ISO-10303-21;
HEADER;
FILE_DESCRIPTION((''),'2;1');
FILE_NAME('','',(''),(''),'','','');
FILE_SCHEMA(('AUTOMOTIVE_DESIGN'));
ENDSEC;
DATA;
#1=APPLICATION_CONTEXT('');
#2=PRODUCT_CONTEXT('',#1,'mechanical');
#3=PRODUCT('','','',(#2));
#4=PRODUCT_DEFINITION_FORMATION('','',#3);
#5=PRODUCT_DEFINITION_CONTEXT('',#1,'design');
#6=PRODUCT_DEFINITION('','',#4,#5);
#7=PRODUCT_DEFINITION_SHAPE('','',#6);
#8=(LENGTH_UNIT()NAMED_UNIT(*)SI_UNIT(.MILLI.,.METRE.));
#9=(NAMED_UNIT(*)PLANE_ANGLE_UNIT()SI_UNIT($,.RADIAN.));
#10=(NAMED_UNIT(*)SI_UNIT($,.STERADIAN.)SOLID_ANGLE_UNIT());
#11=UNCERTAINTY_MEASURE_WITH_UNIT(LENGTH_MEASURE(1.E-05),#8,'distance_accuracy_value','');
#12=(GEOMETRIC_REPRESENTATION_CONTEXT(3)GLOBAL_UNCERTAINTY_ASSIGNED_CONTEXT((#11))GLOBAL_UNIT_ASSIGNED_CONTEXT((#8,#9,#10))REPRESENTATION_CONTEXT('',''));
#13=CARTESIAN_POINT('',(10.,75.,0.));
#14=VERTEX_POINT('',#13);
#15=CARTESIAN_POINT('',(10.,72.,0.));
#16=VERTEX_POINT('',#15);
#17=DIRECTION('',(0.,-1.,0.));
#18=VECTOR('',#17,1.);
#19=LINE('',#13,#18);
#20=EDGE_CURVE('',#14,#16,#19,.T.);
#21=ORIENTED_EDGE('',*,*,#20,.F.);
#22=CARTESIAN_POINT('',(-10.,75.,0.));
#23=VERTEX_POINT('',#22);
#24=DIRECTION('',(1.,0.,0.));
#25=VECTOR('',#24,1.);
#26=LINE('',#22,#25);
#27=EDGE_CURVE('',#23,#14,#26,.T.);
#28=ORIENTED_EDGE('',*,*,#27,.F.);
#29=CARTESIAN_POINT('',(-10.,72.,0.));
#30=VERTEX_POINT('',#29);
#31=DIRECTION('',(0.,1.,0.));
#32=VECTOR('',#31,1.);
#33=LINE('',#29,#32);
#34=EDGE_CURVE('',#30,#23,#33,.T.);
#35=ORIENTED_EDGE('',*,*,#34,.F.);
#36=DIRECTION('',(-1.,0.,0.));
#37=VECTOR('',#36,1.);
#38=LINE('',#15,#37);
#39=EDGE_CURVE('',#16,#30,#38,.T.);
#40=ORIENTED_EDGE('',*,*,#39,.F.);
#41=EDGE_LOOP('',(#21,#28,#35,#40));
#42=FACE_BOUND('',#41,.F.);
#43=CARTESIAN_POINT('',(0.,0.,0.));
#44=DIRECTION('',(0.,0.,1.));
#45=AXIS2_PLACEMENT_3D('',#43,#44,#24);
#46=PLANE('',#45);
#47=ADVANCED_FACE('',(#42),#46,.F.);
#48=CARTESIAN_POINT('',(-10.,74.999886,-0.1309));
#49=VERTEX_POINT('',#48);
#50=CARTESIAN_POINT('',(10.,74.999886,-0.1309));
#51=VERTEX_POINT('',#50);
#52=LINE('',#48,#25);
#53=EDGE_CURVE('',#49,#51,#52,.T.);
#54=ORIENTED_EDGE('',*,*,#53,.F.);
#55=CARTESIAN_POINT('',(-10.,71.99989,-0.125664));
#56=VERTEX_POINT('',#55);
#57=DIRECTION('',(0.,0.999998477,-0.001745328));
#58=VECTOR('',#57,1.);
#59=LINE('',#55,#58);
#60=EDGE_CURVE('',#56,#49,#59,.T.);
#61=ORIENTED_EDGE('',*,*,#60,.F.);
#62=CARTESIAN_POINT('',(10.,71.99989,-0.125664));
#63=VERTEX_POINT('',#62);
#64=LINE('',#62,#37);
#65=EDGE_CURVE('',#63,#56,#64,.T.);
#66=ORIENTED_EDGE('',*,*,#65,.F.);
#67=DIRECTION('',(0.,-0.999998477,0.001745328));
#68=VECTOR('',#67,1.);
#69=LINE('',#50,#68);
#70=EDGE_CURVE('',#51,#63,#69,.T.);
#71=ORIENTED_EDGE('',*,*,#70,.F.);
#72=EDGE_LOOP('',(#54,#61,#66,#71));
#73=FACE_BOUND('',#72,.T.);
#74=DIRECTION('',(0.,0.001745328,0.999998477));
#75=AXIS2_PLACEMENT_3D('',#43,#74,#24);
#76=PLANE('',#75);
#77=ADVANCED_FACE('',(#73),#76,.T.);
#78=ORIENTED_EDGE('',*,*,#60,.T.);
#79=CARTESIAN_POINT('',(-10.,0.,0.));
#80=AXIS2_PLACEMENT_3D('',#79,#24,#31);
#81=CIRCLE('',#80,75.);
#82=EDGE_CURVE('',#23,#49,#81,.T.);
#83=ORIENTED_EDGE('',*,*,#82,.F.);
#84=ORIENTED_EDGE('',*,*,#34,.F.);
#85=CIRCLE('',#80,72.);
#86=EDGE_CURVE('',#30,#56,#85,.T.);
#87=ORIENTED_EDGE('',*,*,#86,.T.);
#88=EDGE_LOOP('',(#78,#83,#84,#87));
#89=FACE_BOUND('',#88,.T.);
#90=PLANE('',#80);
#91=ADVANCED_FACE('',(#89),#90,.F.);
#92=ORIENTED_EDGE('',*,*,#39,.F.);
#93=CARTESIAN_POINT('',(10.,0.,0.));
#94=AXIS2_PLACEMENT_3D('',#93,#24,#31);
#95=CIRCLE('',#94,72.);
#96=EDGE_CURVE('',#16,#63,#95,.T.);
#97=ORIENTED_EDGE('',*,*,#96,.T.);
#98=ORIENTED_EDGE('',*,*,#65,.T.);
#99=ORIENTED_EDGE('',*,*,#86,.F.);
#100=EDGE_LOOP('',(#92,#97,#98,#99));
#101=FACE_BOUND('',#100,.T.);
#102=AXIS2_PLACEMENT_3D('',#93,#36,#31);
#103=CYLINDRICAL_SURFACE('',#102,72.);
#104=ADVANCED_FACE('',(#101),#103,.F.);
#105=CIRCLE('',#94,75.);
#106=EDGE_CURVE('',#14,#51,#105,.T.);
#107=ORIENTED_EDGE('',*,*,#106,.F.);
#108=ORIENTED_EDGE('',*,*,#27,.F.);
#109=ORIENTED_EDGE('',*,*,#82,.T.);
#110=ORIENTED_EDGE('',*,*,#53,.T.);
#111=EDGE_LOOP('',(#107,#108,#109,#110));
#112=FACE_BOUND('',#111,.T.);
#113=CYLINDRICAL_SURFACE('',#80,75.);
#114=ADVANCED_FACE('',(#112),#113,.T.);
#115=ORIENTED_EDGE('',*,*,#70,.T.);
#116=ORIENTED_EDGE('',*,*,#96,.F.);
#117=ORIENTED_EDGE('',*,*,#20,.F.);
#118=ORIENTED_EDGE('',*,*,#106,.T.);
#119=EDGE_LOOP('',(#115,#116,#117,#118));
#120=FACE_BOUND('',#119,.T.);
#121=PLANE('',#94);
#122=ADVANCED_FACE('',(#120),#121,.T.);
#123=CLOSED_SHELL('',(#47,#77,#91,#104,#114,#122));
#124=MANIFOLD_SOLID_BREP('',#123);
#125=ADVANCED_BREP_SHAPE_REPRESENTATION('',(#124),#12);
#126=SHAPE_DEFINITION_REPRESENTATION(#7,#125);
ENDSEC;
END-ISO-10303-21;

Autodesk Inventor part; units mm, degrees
ref_plane "YZ Plane" through (0, 0, 0) normal (1, 0, 0) x (0, 1, 0)
ref_plane "XZ Plane" through (0, 0, 0) normal (0, 1, 0) x (-1, 0, 0)
ref_plane "XY Plane" through (0, 0, 0) normal (0, 0, 1) x (1, 0, 0)
sketch "Sketch1" plane through (0, 0, 0) normal (0, 0, 1) x (1, 0, 0)
  line L0 (-10, 75) -> (10, 75)
  line L1 (10, 75) -> (10, 72)
  line L2 (10, 72) -> (-10, 72)
  line L3 (-10, 72) -> (-10, 75)
  line L4 (-14, 0) -> (14, 0) projected
  point P0 (0, 0)
  point P1 (0, 75)
  dimension "d2" = 3
  dimension "d3" = 20
  dimension "d4" = 75
revolve "Revolution1" add sketch "Sketch1" angle 359.9 about axis through (-10, 0, 0) along (1, 0, 0)
equation "\"BendReliefWidth\" = Thickness"
equation "\"BendReliefDepth\" = 0.5 * Thickness"
equation "\"CornerReliefSize\" = 4 * Thickness"
equation "\"MinimumRemnant\" = 2 * Thickness"
equation "\"TransitionRadius\" = BendRadius"
equation "\"JacobiRadiusSize\" = BendRadius"
equation "\"GapSize\" = Thickness"
equation "\"Thickness\" = 3"
equation "\"BendRadius\" = 5"
properties part number "MSC 405 FLANGE COVER RING 500" material "Stainless Steel"
